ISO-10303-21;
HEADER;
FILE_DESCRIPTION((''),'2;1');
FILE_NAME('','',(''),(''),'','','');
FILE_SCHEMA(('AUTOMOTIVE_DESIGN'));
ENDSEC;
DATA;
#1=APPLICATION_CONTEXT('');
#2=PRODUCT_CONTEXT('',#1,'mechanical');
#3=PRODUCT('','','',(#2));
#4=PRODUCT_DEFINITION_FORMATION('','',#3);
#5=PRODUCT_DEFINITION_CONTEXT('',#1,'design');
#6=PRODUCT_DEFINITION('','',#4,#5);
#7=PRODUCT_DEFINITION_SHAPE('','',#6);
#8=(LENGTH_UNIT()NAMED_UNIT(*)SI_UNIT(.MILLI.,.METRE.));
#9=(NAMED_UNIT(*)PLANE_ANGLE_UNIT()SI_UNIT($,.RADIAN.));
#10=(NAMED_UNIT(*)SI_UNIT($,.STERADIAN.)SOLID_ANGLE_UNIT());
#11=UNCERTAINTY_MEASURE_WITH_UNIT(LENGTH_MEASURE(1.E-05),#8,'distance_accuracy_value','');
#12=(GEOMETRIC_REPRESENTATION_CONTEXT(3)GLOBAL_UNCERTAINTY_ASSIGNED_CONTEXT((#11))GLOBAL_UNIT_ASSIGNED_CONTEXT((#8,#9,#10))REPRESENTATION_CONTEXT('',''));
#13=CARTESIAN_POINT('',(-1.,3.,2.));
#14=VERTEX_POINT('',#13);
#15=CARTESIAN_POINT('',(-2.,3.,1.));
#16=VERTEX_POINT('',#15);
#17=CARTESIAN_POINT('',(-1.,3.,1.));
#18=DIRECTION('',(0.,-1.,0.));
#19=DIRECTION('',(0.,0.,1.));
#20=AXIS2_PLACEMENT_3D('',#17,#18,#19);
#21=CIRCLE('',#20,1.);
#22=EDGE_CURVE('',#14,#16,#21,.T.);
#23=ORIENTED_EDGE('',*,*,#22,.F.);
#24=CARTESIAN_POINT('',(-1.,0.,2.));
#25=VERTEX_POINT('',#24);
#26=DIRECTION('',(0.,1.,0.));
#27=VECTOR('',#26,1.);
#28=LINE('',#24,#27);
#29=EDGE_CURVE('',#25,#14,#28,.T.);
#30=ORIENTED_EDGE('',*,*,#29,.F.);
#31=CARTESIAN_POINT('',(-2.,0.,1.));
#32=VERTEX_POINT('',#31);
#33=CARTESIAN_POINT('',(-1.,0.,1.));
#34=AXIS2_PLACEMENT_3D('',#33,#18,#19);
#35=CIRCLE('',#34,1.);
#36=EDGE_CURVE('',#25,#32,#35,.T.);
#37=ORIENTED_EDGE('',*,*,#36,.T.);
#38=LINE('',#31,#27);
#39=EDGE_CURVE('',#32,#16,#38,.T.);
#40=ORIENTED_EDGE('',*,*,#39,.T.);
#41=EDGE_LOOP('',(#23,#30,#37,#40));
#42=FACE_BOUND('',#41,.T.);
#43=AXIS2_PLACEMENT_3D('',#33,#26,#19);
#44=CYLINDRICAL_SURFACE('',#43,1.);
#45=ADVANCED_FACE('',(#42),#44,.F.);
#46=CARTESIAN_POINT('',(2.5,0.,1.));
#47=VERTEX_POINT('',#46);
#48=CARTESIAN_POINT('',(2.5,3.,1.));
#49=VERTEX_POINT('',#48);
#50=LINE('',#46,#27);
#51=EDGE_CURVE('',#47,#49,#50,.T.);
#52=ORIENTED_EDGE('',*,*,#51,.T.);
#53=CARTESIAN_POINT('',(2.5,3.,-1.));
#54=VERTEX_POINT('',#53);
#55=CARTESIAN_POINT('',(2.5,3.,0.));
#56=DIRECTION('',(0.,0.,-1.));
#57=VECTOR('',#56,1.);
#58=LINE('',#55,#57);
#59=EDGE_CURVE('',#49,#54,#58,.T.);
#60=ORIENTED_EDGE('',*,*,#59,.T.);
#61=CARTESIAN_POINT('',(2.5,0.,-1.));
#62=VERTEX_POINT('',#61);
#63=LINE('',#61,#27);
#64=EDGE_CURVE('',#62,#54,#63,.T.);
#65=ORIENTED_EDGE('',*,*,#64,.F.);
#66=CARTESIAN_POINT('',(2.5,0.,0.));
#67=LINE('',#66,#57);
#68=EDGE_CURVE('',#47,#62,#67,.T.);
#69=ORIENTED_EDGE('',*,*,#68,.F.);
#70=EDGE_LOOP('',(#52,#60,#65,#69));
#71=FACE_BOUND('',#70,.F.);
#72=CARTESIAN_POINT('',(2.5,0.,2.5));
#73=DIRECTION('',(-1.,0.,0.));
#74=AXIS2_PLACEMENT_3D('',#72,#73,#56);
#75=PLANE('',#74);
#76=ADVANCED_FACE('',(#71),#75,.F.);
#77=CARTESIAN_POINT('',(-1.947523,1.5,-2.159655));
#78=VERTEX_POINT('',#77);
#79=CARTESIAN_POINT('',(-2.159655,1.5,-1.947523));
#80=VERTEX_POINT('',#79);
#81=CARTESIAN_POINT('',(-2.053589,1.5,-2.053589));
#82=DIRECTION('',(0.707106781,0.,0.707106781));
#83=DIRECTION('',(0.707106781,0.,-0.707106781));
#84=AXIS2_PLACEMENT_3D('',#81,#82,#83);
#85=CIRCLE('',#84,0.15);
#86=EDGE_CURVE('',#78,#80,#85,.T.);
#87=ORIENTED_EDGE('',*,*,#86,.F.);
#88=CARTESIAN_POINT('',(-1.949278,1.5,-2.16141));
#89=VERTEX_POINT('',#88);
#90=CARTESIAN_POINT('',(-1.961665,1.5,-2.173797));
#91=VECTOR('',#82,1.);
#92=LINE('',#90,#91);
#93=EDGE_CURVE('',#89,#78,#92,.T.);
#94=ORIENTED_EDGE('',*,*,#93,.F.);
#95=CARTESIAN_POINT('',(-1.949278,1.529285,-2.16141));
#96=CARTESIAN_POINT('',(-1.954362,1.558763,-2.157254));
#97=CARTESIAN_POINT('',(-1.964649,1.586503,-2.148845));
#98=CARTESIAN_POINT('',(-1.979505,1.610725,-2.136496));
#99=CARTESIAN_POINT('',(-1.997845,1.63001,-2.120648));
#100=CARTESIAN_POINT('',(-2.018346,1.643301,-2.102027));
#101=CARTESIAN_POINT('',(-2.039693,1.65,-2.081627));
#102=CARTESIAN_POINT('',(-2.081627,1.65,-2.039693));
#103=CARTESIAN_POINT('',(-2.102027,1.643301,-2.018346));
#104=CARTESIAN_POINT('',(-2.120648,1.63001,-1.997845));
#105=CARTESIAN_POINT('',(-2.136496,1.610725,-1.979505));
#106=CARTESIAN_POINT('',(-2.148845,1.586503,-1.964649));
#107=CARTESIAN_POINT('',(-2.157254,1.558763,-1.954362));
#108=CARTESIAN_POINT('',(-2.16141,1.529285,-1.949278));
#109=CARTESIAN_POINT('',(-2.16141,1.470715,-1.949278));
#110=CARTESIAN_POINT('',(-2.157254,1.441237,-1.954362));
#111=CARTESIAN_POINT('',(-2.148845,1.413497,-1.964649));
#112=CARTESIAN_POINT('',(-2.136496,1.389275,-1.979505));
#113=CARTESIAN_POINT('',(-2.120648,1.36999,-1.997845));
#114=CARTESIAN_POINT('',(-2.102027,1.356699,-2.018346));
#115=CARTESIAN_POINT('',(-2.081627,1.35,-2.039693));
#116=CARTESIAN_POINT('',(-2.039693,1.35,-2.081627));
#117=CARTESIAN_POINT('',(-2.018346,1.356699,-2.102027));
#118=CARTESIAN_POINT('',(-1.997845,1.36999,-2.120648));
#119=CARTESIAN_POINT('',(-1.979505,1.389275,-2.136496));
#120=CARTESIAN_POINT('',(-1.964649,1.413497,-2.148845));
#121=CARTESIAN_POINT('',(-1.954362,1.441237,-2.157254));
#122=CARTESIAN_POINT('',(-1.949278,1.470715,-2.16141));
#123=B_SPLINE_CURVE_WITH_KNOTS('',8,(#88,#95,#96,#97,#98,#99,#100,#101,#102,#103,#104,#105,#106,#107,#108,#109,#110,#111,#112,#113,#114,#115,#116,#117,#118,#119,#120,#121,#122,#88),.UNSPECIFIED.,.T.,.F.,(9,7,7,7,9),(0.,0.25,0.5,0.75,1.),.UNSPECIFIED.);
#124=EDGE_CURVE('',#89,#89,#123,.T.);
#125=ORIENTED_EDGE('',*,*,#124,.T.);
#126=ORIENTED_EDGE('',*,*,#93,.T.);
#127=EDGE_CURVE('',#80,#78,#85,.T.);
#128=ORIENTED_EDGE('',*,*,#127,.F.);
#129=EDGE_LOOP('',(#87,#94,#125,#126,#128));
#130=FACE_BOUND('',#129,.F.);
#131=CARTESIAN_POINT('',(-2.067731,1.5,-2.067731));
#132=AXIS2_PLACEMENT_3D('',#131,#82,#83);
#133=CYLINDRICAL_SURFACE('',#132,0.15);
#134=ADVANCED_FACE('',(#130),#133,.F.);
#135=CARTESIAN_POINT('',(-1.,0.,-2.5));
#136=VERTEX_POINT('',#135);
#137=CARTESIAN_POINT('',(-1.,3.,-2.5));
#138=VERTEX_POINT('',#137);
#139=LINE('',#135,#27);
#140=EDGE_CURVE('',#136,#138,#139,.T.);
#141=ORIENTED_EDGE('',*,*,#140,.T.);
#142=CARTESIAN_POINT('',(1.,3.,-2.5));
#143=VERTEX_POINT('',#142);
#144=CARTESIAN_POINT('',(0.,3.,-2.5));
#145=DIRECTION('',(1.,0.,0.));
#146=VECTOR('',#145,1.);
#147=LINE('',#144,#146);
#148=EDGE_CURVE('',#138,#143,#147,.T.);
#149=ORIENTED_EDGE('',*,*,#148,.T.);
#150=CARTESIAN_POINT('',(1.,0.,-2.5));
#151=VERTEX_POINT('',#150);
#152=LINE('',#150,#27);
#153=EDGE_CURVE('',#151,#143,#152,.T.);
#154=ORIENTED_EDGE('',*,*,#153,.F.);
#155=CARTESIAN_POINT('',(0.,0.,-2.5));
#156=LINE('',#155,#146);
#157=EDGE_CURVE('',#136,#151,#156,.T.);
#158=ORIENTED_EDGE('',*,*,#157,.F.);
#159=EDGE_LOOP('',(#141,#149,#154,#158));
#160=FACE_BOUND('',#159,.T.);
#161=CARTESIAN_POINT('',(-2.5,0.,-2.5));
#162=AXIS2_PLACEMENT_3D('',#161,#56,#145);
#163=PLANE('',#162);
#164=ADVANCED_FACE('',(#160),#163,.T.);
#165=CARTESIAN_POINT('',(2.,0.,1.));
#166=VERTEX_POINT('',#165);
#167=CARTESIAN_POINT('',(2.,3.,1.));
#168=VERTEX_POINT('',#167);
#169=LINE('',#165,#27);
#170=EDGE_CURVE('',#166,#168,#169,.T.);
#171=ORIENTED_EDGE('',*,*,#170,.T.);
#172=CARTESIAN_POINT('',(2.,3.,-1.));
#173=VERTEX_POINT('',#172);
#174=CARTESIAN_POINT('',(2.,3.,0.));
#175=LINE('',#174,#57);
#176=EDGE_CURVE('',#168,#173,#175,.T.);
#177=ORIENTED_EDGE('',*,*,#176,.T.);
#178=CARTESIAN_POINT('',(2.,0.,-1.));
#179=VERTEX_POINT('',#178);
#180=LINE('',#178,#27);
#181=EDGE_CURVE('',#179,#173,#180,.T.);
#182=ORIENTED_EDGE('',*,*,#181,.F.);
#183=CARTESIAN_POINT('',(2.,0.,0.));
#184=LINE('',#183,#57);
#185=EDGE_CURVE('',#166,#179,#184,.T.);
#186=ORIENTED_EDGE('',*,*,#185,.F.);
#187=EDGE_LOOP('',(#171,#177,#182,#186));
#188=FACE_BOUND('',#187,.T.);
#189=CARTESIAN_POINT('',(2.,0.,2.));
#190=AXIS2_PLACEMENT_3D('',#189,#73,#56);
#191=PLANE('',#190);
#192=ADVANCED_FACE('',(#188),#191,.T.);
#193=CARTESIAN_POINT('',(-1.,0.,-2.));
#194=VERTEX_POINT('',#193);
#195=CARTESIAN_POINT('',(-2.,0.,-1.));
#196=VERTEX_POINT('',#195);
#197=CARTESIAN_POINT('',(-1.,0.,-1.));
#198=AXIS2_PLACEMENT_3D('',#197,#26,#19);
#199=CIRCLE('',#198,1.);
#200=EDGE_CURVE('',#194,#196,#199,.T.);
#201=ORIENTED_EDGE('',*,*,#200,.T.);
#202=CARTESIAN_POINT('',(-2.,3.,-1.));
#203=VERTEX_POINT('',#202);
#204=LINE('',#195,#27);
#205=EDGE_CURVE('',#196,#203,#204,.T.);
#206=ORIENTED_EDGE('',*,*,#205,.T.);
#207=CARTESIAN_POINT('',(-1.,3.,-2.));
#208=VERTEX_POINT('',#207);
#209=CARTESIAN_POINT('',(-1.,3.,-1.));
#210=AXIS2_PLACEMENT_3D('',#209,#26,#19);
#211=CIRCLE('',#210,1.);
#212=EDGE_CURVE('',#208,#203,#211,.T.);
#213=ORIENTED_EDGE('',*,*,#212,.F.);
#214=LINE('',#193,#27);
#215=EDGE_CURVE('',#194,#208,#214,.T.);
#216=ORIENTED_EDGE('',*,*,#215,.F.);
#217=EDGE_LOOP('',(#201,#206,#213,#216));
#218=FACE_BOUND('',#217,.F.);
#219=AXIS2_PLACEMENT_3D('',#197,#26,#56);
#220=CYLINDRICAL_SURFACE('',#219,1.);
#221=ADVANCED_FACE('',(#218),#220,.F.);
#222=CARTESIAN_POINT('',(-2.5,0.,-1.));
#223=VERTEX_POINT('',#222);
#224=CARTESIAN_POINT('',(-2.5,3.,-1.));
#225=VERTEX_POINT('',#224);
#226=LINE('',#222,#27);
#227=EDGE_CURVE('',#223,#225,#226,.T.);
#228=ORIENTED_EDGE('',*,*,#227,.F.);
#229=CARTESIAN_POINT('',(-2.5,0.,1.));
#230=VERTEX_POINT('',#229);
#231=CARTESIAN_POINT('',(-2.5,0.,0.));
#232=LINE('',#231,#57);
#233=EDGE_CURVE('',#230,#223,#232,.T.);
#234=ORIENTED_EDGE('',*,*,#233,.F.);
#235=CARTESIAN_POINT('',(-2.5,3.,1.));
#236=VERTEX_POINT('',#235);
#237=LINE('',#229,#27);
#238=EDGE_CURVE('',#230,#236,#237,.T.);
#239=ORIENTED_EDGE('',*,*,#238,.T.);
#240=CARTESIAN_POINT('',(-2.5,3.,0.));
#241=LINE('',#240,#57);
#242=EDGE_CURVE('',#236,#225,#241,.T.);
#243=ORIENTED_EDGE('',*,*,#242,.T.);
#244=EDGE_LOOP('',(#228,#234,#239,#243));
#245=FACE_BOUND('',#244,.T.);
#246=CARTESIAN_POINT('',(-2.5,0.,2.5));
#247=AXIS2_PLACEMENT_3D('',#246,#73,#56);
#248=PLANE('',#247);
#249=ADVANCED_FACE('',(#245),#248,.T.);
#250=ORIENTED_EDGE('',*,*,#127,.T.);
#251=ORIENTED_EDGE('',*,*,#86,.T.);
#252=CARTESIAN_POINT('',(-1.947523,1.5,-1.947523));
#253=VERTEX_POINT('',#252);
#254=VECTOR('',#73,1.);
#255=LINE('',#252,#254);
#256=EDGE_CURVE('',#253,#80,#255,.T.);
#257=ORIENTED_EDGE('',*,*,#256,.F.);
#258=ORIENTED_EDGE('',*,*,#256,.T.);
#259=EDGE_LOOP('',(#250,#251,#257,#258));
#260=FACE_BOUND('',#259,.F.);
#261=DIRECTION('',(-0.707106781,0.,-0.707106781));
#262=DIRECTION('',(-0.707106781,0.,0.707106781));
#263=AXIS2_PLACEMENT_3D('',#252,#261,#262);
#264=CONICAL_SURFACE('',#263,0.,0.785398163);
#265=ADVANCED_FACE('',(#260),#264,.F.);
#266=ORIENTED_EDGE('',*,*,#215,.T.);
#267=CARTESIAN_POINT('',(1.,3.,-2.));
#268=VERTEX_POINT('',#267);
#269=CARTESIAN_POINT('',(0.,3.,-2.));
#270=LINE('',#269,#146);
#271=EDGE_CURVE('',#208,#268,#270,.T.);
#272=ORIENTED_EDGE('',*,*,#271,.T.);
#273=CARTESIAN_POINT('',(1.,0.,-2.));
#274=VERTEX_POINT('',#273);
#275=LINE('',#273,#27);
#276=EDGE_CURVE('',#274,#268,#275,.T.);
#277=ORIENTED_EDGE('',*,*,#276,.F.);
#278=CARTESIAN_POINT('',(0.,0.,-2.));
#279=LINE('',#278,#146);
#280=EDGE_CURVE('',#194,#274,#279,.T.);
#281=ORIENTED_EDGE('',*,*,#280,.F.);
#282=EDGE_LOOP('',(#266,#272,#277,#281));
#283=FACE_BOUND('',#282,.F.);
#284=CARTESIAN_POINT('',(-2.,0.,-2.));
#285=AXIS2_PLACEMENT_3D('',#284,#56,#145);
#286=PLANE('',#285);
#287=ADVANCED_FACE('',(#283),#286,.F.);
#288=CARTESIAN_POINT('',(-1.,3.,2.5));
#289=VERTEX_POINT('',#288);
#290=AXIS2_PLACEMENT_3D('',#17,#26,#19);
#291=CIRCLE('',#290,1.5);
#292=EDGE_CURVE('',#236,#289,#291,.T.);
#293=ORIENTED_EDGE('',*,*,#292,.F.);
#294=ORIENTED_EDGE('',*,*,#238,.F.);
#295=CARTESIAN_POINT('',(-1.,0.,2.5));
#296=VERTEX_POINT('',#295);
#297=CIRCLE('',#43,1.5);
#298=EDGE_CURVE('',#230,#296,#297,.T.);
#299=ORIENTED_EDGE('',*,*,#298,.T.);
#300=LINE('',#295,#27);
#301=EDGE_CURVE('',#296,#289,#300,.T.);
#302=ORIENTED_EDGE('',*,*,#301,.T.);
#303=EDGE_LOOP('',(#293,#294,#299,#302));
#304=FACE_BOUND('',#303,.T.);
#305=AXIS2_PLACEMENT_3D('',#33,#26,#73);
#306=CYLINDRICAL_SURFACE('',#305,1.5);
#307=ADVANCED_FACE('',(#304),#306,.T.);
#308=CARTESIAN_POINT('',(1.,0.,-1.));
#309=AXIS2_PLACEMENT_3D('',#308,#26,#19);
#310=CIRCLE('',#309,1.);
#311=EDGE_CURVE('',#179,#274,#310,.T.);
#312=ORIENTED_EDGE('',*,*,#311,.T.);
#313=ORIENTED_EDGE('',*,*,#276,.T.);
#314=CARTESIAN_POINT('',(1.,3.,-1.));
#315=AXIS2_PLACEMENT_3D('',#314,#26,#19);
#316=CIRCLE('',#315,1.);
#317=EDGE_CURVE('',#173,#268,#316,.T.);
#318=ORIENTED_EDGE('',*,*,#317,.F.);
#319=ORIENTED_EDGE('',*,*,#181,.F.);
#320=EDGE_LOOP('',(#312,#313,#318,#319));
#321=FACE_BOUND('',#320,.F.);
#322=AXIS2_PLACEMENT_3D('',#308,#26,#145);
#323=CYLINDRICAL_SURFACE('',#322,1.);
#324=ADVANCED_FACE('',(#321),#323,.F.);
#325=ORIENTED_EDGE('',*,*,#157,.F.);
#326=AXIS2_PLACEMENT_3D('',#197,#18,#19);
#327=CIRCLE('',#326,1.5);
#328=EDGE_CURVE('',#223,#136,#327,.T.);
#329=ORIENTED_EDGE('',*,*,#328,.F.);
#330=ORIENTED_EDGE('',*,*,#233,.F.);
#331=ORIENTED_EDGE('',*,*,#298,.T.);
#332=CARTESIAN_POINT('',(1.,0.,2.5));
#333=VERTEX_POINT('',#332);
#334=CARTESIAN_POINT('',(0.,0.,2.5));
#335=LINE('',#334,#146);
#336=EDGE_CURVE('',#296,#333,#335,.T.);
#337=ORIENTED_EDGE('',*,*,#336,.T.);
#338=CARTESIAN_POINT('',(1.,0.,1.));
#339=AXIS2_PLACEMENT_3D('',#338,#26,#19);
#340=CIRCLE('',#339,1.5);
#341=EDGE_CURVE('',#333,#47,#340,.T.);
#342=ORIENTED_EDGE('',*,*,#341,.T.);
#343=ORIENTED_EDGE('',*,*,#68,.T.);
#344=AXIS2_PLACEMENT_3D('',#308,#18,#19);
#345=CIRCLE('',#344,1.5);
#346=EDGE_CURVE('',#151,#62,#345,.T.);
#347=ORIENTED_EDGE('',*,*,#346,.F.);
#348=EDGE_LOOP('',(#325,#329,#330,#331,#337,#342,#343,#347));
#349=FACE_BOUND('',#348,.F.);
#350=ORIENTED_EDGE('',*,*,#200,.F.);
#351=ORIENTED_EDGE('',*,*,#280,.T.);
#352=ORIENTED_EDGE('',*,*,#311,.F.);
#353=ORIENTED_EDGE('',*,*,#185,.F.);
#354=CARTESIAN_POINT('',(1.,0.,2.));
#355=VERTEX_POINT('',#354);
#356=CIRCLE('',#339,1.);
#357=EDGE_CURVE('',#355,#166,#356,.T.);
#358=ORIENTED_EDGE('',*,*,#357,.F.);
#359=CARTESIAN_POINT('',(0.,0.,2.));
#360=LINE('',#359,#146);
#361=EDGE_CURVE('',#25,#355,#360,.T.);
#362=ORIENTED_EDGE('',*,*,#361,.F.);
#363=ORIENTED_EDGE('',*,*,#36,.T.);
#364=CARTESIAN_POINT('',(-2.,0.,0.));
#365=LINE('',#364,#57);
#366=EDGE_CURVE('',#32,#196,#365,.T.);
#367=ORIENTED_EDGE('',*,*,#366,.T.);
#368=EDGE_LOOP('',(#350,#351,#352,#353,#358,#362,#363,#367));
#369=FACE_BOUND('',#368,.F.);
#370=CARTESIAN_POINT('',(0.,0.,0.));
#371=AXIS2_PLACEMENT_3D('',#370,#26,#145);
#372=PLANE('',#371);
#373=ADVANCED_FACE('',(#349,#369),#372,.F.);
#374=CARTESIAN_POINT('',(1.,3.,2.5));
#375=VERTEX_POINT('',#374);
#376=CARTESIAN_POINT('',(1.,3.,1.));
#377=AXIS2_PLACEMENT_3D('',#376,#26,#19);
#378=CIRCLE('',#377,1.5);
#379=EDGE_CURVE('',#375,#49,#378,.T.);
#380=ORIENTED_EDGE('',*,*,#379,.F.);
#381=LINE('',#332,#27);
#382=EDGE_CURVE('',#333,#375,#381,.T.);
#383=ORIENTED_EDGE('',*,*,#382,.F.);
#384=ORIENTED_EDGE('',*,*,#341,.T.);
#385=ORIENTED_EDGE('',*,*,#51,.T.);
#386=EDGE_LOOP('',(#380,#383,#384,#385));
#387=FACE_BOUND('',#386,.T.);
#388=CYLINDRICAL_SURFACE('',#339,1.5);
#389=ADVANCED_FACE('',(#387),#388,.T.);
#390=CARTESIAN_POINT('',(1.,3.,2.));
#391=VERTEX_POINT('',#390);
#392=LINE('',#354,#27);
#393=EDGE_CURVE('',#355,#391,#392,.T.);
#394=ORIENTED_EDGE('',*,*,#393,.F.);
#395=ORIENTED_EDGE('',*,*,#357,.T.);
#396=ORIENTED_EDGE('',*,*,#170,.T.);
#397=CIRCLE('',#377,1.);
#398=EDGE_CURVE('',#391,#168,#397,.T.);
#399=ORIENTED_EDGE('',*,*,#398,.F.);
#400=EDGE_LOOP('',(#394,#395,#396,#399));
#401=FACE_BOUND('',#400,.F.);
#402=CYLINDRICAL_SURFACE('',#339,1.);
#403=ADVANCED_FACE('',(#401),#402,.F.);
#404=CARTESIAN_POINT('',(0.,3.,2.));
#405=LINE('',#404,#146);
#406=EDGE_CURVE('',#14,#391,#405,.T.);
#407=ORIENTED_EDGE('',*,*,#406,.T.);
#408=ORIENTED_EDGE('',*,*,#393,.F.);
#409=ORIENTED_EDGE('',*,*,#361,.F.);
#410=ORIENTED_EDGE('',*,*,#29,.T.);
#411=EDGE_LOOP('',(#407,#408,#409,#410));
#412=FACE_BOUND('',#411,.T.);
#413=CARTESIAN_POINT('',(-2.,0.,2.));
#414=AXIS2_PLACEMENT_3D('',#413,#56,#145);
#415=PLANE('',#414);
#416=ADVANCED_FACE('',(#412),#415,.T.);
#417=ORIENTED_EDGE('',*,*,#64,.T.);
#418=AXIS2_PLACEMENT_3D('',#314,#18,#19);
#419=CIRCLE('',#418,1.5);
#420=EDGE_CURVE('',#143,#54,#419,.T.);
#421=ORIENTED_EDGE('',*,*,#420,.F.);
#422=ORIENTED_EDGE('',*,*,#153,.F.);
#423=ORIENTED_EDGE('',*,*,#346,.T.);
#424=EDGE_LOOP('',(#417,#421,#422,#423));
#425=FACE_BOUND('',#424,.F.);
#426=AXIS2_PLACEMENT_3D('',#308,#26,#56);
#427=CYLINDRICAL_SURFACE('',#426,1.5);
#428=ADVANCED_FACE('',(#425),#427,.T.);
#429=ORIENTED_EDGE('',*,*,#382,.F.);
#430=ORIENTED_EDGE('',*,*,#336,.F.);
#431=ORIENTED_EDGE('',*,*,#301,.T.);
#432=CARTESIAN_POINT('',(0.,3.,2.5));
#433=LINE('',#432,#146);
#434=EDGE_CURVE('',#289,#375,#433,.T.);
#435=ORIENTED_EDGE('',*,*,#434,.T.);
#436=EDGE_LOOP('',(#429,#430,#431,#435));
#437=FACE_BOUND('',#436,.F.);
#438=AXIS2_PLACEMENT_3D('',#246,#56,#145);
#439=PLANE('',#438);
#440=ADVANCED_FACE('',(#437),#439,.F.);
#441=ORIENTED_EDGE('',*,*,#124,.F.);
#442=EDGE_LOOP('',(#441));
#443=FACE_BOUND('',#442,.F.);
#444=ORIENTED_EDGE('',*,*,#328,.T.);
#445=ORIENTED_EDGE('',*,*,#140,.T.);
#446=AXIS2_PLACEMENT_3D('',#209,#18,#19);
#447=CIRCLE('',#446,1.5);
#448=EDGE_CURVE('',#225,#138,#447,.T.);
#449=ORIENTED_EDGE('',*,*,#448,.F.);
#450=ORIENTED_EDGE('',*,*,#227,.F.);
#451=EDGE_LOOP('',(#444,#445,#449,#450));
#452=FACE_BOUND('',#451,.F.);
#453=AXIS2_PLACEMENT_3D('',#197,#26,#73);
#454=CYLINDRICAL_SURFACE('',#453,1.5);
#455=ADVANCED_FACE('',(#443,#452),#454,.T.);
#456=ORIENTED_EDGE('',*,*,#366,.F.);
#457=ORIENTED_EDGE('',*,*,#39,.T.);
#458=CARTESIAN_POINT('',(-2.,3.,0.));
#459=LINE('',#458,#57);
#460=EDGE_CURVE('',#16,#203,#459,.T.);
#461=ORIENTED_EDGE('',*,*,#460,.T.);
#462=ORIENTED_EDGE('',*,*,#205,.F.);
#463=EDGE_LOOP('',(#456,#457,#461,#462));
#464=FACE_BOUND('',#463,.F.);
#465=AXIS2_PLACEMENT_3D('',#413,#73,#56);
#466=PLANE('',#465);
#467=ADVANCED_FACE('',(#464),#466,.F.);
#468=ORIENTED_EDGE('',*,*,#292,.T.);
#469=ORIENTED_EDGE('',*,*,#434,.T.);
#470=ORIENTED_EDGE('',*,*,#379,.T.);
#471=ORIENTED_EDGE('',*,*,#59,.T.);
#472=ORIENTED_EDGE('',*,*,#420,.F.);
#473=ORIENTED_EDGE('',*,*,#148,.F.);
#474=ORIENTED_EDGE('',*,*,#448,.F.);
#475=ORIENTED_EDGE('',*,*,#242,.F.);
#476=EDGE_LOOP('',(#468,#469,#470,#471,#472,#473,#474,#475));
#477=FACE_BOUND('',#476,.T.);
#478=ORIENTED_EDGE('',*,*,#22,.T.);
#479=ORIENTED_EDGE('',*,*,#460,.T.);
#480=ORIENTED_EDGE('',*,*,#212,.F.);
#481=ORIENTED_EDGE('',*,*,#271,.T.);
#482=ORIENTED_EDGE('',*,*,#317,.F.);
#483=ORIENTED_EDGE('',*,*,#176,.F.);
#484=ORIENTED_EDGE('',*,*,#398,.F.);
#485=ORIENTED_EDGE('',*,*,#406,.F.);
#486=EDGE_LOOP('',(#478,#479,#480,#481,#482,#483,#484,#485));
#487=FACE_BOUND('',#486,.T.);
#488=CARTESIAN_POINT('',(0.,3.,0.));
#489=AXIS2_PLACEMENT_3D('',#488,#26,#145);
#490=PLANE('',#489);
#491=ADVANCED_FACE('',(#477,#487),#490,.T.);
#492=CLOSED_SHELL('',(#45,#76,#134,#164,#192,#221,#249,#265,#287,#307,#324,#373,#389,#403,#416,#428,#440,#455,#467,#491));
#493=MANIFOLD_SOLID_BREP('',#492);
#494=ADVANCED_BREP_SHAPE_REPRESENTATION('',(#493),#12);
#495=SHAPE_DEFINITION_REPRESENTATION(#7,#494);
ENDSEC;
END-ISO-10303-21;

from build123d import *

# Parameters (mm, degrees)
SKIZZE1_W                            = 5
SKIZZE1_H                            = 5
SKIZZE1_W_2                          = 4
SKIZZE1_H_2                          = 4
AUFSATZ_LINEAR_AUSTRAGEN1_DEPTH      = 3
VERRUNDUNG1_R                        = 1
VERRUNDUNG2_R                        = 1.5
F_0_3_0_3_DURCHMESSER_BOHRUNG3_D     = 0.3
F_0_3_0_3_DURCHMESSER_BOHRUNG3_DEPTH = 0.01
F_0_3_0_3_DURCHMESSER_BOHRUNG3_TIP   = 0.15


with BuildPart() as part:
    # Skizze1 → Aufsatz-Linear austragen1 (new body)
    with BuildSketch(Plane(origin=(0, 0, 0), x_dir=(1, 0, 0), z_dir=(0, 1, 0))):
        Rectangle(SKIZZE1_W, SKIZZE1_H)
        Rectangle(SKIZZE1_W_2, SKIZZE1_H_2, mode=Mode.SUBTRACT)
    extrude(amount=AUFSATZ_LINEAR_AUSTRAGEN1_DEPTH)

    # Verrundung1
    verrundung1_edges = [part.edges().sort_by_distance(p)[0] for p in [
        (2, 1.5, 2),
        (2, 1.5, -2),
        (-2, 1.5, -2),
        (-2, 1.5, 2),
    ]]
    fillet(verrundung1_edges, radius=VERRUNDUNG1_R)

    # Verrundung2
    verrundung2_edges = [part.edges().sort_by_distance(p)[0] for p in [
        (2.5, 1.5, 2.5),
        (-2.5, 1.5, 2.5),
        (-2.5, 1.5, -2.5),
        (2.5, 1.5, -2.5),
    ]]
    fillet(verrundung2_edges, radius=VERRUNDUNG2_R)

    # Ø0.3 (0.3) Durchmesser Bohrung3
    with Locations(Plane(origin=(-2.060660172, 0, -2.060660172), x_dir=(-0.707106781, 0, 0.707106781), z_dir=(-0.707106781, 0, -0.707106781))):
        with Locations((0, 1.5)):
            Hole(F_0_3_0_3_DURCHMESSER_BOHRUNG3_D / 2, depth=F_0_3_0_3_DURCHMESSER_BOHRUNG3_DEPTH)
            with Locations((0, 0, -(F_0_3_0_3_DURCHMESSER_BOHRUNG3_DEPTH + F_0_3_0_3_DURCHMESSER_BOHRUNG3_TIP / 2))):  # 90° drill point
                Cone(0, F_0_3_0_3_DURCHMESSER_BOHRUNG3_D / 2, F_0_3_0_3_DURCHMESSER_BOHRUNG3_TIP, mode=Mode.SUBTRACT)


solid = part.part
